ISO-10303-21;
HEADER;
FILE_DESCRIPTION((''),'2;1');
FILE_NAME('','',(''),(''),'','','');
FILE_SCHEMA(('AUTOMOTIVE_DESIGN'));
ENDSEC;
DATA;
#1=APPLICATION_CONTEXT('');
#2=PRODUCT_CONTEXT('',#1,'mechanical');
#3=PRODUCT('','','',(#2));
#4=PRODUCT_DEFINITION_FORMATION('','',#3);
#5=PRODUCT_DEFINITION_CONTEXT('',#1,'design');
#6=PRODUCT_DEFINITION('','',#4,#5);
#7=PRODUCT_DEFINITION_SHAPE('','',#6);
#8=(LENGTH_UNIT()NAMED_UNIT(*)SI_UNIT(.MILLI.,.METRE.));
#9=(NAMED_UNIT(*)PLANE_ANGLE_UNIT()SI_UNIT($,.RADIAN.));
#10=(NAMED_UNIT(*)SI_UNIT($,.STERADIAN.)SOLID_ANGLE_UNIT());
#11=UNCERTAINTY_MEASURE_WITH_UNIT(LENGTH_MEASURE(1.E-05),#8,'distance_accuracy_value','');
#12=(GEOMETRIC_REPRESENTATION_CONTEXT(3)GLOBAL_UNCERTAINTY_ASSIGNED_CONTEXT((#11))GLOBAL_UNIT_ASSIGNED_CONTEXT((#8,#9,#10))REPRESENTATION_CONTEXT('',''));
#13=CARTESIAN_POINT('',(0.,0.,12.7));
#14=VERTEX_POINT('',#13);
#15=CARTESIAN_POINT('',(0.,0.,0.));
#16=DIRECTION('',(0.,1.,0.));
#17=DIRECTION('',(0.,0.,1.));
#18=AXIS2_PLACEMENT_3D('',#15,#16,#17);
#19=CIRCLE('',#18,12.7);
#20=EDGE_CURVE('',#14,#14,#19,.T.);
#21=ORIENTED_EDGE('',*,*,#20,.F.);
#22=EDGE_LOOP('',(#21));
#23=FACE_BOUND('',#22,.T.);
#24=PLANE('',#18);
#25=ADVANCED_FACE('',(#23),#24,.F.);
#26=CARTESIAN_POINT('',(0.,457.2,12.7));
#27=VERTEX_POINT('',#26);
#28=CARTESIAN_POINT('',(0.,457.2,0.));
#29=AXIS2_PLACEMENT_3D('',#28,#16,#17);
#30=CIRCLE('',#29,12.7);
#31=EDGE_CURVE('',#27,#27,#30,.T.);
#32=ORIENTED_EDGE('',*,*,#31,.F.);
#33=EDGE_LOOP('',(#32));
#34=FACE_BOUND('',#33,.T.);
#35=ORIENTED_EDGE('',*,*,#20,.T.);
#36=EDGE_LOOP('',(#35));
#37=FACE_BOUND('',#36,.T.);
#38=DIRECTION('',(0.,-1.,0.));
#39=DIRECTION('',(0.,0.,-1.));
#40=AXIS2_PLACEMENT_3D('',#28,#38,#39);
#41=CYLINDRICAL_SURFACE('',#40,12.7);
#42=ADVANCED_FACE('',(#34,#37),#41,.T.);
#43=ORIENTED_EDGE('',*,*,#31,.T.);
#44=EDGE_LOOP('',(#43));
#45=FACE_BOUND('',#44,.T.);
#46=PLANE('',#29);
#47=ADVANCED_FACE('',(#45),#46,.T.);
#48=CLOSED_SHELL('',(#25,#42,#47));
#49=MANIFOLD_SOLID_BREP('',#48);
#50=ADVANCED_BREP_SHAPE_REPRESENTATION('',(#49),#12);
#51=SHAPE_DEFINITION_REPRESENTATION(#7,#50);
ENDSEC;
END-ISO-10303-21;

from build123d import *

# Parameters (mm, degrees)
SKETCH1_R           = 12.7
BOSS_EXTRUDE1_DEPTH = 457.2


with BuildPart() as part:
    # Sketch1 → Boss-Extrude1 (new body)
    with BuildSketch(Plane(origin=(0, 0, 0), x_dir=(1, 0, 0), z_dir=(0, 1, 0))):
        Circle(SKETCH1_R)
    extrude(amount=BOSS_EXTRUDE1_DEPTH)


solid = part.part
